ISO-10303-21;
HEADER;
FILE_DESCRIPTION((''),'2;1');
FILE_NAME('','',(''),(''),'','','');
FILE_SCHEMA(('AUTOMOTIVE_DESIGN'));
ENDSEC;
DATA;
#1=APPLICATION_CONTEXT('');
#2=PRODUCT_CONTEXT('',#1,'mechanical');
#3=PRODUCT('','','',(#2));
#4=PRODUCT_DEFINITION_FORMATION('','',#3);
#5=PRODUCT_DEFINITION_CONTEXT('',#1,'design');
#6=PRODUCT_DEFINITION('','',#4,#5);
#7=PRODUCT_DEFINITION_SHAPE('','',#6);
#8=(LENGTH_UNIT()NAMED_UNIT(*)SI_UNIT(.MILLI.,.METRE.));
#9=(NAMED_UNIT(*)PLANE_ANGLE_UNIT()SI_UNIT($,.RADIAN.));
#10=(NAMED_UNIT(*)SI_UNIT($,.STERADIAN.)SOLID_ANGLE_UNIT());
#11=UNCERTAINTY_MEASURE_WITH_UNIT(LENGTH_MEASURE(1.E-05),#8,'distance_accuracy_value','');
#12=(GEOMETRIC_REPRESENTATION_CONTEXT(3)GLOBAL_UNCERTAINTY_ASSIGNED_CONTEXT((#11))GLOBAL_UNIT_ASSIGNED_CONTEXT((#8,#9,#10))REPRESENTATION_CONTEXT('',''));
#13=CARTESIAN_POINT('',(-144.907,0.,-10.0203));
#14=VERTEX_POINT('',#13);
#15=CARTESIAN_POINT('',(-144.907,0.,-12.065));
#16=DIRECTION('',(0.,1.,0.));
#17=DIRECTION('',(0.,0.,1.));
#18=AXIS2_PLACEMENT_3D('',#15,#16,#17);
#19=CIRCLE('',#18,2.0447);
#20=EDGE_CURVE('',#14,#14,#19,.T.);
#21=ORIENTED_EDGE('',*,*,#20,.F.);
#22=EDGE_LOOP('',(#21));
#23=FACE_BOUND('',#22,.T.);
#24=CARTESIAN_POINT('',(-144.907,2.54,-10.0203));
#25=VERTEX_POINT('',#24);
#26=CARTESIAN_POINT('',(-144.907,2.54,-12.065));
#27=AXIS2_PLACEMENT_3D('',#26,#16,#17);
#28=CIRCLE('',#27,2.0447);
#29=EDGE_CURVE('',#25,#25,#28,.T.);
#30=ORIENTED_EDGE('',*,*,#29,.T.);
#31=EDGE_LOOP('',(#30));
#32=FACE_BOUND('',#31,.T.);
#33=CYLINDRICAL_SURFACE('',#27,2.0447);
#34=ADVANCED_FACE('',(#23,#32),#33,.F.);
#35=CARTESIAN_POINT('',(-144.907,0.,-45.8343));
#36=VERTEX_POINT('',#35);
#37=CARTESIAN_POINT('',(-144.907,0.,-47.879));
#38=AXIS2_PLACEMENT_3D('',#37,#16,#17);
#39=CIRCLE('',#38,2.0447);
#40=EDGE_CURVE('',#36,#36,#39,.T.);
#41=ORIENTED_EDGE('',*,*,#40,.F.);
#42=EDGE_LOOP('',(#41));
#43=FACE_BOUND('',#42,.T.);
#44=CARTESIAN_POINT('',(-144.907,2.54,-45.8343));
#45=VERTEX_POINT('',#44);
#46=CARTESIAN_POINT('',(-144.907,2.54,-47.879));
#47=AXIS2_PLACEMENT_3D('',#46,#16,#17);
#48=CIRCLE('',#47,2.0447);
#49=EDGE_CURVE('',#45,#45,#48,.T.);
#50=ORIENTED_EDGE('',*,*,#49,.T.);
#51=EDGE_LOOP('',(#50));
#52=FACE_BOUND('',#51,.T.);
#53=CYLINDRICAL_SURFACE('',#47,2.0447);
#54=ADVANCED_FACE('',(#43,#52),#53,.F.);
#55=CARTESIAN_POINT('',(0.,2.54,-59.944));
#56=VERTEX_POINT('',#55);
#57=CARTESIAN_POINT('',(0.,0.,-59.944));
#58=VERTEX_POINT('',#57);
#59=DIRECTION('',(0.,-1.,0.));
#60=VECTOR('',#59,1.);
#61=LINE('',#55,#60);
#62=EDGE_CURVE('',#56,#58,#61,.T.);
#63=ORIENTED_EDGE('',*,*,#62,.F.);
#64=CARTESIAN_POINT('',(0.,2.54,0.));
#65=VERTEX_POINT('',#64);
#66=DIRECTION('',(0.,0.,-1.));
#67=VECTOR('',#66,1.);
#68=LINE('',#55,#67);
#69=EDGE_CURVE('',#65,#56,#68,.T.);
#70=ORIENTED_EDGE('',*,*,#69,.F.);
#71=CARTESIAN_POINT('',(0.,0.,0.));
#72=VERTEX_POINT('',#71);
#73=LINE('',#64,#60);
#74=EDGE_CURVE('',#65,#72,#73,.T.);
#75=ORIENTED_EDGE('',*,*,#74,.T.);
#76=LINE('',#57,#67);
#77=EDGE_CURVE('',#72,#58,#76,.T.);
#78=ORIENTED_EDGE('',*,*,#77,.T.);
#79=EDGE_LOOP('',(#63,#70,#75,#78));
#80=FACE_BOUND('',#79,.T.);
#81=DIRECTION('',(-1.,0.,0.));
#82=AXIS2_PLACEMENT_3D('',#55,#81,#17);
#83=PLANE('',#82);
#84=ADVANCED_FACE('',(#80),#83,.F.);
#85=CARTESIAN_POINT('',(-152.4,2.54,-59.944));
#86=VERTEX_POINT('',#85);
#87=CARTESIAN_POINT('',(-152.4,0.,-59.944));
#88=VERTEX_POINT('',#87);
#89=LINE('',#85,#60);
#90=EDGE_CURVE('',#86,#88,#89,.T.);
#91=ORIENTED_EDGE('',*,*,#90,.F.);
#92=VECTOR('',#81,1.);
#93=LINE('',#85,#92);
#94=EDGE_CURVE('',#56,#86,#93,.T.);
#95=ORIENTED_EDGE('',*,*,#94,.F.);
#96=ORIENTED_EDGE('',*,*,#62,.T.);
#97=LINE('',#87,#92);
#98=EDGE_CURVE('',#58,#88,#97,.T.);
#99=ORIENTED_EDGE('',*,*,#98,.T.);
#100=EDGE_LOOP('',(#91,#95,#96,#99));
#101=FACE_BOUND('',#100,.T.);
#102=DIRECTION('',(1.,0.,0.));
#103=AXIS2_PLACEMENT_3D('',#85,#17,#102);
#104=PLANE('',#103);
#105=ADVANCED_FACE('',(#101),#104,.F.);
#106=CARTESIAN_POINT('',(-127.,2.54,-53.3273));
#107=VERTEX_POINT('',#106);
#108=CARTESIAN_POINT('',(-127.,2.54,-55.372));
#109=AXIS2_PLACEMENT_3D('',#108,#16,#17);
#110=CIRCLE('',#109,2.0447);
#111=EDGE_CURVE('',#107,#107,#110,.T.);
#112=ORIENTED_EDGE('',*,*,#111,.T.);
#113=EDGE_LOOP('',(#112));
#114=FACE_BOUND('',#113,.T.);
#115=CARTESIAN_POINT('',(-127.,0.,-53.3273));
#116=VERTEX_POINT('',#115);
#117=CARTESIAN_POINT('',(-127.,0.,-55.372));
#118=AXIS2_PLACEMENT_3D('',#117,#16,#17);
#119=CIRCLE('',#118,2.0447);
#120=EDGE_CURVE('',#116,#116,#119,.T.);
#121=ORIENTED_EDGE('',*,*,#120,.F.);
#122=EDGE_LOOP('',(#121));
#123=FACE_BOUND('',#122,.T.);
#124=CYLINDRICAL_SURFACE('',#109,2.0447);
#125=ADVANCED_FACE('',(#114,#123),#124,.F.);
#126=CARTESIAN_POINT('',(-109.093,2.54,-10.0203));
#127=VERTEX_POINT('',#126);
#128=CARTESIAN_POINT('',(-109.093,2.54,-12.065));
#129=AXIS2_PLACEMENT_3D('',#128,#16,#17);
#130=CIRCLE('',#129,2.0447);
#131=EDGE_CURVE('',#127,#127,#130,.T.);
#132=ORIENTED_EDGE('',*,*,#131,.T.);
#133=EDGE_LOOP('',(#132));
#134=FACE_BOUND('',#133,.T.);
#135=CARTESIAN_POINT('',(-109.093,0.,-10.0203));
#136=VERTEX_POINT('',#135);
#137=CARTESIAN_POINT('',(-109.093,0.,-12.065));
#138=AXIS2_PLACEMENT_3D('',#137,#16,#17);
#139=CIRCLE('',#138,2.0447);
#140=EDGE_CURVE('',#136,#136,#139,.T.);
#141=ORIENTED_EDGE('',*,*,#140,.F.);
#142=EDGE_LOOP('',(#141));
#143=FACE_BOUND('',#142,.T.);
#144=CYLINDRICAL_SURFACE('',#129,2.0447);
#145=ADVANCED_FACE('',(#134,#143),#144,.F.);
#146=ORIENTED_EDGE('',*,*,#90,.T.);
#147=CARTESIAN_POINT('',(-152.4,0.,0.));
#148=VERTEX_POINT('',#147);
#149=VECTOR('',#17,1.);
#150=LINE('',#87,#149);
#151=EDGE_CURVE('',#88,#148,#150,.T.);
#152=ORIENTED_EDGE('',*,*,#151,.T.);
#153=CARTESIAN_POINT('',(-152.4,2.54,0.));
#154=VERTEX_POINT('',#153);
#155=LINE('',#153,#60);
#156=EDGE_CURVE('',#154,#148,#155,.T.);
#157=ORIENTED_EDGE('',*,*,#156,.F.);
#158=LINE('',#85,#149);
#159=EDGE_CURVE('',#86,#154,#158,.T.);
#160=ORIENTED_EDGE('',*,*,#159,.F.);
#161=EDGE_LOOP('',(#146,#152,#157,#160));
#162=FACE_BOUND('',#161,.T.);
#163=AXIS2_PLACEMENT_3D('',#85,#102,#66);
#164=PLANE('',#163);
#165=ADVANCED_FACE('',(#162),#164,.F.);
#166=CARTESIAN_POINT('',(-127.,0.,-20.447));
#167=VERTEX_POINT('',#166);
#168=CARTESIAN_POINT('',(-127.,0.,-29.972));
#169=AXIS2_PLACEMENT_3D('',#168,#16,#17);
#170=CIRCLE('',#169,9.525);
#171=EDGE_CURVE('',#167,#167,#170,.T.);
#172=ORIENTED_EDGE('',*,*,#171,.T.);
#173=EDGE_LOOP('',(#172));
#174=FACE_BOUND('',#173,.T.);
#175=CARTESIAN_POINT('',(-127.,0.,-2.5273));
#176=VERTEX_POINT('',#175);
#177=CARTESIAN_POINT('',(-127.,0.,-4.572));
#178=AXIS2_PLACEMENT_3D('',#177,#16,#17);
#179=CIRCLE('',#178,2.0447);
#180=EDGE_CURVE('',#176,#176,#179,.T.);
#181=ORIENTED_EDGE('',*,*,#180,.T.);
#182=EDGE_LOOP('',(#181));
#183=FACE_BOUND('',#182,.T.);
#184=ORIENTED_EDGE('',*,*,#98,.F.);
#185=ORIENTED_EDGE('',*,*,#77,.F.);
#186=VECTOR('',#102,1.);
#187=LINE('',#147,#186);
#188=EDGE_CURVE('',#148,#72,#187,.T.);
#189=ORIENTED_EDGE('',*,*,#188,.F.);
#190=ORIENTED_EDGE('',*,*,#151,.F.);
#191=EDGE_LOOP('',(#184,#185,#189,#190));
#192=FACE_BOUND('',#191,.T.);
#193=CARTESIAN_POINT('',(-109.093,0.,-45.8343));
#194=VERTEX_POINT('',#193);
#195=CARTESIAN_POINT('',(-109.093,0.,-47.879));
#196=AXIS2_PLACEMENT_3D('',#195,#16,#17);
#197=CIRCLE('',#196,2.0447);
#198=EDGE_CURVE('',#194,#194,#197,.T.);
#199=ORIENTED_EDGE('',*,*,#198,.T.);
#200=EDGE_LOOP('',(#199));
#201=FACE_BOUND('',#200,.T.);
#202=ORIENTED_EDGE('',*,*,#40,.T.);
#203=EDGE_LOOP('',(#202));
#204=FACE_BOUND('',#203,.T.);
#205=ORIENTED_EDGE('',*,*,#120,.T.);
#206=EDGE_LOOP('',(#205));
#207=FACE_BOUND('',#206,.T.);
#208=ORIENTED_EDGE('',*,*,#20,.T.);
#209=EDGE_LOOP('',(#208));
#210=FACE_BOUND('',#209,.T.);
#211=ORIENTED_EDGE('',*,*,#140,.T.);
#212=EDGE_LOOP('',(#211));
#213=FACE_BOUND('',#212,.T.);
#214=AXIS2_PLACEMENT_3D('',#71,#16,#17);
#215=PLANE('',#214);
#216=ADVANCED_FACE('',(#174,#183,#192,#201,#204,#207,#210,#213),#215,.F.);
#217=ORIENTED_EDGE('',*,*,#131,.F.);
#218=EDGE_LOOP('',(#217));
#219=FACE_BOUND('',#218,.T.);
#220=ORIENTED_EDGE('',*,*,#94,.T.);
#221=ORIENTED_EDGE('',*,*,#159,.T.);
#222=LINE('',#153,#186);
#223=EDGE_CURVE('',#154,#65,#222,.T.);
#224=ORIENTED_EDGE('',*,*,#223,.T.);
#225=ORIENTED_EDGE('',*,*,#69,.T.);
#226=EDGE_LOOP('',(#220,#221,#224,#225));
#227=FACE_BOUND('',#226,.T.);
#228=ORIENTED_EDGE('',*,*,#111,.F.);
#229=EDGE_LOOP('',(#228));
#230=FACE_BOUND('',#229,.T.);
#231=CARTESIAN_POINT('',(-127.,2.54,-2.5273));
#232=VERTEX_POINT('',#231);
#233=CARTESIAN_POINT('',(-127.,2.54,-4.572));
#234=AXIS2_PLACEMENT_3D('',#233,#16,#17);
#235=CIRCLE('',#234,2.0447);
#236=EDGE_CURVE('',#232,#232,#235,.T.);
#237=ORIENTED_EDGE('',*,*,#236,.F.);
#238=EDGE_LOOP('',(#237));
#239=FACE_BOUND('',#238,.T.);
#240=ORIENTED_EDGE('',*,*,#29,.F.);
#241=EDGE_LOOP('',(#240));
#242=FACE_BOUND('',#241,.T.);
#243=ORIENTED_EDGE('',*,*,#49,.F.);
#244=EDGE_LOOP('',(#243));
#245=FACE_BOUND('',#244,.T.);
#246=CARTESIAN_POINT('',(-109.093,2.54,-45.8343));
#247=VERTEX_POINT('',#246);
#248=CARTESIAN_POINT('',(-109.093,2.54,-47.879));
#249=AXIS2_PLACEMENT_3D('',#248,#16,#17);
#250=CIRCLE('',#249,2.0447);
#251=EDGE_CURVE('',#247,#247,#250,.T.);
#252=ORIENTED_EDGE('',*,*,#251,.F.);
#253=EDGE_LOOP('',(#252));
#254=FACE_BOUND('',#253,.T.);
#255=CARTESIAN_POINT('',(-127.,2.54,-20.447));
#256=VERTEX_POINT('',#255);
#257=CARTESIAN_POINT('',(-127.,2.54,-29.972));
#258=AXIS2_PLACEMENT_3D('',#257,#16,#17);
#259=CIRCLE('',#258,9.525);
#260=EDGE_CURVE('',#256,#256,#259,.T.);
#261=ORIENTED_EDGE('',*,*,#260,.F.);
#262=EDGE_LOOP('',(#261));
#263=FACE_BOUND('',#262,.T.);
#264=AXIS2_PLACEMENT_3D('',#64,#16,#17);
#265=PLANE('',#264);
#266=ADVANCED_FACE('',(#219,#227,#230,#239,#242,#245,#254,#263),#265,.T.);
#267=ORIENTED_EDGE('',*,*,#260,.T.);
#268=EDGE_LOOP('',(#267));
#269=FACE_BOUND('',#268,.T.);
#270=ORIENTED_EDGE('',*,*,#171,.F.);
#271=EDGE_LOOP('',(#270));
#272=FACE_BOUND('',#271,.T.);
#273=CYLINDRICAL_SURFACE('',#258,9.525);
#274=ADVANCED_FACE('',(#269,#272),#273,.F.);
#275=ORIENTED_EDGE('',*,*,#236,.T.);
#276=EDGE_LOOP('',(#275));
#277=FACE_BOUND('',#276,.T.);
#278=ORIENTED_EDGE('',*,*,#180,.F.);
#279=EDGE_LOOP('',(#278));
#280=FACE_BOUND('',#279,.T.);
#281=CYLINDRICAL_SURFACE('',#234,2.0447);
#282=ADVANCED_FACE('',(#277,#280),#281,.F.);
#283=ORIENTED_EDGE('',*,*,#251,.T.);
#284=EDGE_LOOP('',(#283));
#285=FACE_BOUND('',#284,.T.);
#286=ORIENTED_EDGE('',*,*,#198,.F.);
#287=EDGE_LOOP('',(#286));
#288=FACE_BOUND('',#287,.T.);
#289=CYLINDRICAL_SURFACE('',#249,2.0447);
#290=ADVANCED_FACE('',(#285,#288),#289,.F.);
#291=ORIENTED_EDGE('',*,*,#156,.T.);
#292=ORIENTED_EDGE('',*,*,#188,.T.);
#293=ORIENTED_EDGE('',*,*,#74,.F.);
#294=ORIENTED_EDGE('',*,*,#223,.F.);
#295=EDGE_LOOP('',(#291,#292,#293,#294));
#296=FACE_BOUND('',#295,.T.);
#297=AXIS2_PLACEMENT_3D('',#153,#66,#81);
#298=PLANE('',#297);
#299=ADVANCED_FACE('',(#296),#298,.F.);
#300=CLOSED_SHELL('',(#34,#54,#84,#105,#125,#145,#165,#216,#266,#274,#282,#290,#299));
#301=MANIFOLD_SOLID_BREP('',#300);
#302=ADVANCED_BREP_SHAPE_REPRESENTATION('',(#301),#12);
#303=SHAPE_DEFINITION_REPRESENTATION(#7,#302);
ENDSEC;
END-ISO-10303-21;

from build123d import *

# Parameters (mm, degrees)
SKETCH1_W                   = 152.4
SKETCH1_H                   = 59.944
BOSS_EXTRUDE1_DEPTH         = 2.54
F_97_0_161_DIAMETER_HOLE1_D = 4.0894
F_97_0_75_DIAMETER_HOLE1_D  = 19.05


with BuildPart() as part:
    # Sketch1 → Boss-Extrude1 (new body)
    with BuildSketch(Plane(origin=(0, 0, 0), x_dir=(1, 0, 0), z_dir=(0, 1, 0))):
        with Locations((-76.2, 29.972)):
            Rectangle(SKETCH1_W, SKETCH1_H)
    extrude(amount=BOSS_EXTRUDE1_DEPTH)

    # #97 (0.161) Diameter Hole1 (through all)
    with Locations(Plane(origin=(0, 2.54, 0), x_dir=(1, 0, 0), z_dir=(0, 1, 0))):
        with Locations((-144.907, 47.879), (-127, 55.372), (-109.093, 47.879), (-109.093, 12.065), (-127, 4.572), (-144.907, 12.065)):
            Hole(F_97_0_161_DIAMETER_HOLE1_D / 2)

    # #97 (0.75) Diameter Hole1 (through all)
    with Locations(Plane(origin=(0, 2.54, 0), x_dir=(1, 0, 0), z_dir=(0, 1, 0))):
        with Locations((-127, 29.972)):
            Hole(F_97_0_75_DIAMETER_HOLE1_D / 2)


solid = part.part
